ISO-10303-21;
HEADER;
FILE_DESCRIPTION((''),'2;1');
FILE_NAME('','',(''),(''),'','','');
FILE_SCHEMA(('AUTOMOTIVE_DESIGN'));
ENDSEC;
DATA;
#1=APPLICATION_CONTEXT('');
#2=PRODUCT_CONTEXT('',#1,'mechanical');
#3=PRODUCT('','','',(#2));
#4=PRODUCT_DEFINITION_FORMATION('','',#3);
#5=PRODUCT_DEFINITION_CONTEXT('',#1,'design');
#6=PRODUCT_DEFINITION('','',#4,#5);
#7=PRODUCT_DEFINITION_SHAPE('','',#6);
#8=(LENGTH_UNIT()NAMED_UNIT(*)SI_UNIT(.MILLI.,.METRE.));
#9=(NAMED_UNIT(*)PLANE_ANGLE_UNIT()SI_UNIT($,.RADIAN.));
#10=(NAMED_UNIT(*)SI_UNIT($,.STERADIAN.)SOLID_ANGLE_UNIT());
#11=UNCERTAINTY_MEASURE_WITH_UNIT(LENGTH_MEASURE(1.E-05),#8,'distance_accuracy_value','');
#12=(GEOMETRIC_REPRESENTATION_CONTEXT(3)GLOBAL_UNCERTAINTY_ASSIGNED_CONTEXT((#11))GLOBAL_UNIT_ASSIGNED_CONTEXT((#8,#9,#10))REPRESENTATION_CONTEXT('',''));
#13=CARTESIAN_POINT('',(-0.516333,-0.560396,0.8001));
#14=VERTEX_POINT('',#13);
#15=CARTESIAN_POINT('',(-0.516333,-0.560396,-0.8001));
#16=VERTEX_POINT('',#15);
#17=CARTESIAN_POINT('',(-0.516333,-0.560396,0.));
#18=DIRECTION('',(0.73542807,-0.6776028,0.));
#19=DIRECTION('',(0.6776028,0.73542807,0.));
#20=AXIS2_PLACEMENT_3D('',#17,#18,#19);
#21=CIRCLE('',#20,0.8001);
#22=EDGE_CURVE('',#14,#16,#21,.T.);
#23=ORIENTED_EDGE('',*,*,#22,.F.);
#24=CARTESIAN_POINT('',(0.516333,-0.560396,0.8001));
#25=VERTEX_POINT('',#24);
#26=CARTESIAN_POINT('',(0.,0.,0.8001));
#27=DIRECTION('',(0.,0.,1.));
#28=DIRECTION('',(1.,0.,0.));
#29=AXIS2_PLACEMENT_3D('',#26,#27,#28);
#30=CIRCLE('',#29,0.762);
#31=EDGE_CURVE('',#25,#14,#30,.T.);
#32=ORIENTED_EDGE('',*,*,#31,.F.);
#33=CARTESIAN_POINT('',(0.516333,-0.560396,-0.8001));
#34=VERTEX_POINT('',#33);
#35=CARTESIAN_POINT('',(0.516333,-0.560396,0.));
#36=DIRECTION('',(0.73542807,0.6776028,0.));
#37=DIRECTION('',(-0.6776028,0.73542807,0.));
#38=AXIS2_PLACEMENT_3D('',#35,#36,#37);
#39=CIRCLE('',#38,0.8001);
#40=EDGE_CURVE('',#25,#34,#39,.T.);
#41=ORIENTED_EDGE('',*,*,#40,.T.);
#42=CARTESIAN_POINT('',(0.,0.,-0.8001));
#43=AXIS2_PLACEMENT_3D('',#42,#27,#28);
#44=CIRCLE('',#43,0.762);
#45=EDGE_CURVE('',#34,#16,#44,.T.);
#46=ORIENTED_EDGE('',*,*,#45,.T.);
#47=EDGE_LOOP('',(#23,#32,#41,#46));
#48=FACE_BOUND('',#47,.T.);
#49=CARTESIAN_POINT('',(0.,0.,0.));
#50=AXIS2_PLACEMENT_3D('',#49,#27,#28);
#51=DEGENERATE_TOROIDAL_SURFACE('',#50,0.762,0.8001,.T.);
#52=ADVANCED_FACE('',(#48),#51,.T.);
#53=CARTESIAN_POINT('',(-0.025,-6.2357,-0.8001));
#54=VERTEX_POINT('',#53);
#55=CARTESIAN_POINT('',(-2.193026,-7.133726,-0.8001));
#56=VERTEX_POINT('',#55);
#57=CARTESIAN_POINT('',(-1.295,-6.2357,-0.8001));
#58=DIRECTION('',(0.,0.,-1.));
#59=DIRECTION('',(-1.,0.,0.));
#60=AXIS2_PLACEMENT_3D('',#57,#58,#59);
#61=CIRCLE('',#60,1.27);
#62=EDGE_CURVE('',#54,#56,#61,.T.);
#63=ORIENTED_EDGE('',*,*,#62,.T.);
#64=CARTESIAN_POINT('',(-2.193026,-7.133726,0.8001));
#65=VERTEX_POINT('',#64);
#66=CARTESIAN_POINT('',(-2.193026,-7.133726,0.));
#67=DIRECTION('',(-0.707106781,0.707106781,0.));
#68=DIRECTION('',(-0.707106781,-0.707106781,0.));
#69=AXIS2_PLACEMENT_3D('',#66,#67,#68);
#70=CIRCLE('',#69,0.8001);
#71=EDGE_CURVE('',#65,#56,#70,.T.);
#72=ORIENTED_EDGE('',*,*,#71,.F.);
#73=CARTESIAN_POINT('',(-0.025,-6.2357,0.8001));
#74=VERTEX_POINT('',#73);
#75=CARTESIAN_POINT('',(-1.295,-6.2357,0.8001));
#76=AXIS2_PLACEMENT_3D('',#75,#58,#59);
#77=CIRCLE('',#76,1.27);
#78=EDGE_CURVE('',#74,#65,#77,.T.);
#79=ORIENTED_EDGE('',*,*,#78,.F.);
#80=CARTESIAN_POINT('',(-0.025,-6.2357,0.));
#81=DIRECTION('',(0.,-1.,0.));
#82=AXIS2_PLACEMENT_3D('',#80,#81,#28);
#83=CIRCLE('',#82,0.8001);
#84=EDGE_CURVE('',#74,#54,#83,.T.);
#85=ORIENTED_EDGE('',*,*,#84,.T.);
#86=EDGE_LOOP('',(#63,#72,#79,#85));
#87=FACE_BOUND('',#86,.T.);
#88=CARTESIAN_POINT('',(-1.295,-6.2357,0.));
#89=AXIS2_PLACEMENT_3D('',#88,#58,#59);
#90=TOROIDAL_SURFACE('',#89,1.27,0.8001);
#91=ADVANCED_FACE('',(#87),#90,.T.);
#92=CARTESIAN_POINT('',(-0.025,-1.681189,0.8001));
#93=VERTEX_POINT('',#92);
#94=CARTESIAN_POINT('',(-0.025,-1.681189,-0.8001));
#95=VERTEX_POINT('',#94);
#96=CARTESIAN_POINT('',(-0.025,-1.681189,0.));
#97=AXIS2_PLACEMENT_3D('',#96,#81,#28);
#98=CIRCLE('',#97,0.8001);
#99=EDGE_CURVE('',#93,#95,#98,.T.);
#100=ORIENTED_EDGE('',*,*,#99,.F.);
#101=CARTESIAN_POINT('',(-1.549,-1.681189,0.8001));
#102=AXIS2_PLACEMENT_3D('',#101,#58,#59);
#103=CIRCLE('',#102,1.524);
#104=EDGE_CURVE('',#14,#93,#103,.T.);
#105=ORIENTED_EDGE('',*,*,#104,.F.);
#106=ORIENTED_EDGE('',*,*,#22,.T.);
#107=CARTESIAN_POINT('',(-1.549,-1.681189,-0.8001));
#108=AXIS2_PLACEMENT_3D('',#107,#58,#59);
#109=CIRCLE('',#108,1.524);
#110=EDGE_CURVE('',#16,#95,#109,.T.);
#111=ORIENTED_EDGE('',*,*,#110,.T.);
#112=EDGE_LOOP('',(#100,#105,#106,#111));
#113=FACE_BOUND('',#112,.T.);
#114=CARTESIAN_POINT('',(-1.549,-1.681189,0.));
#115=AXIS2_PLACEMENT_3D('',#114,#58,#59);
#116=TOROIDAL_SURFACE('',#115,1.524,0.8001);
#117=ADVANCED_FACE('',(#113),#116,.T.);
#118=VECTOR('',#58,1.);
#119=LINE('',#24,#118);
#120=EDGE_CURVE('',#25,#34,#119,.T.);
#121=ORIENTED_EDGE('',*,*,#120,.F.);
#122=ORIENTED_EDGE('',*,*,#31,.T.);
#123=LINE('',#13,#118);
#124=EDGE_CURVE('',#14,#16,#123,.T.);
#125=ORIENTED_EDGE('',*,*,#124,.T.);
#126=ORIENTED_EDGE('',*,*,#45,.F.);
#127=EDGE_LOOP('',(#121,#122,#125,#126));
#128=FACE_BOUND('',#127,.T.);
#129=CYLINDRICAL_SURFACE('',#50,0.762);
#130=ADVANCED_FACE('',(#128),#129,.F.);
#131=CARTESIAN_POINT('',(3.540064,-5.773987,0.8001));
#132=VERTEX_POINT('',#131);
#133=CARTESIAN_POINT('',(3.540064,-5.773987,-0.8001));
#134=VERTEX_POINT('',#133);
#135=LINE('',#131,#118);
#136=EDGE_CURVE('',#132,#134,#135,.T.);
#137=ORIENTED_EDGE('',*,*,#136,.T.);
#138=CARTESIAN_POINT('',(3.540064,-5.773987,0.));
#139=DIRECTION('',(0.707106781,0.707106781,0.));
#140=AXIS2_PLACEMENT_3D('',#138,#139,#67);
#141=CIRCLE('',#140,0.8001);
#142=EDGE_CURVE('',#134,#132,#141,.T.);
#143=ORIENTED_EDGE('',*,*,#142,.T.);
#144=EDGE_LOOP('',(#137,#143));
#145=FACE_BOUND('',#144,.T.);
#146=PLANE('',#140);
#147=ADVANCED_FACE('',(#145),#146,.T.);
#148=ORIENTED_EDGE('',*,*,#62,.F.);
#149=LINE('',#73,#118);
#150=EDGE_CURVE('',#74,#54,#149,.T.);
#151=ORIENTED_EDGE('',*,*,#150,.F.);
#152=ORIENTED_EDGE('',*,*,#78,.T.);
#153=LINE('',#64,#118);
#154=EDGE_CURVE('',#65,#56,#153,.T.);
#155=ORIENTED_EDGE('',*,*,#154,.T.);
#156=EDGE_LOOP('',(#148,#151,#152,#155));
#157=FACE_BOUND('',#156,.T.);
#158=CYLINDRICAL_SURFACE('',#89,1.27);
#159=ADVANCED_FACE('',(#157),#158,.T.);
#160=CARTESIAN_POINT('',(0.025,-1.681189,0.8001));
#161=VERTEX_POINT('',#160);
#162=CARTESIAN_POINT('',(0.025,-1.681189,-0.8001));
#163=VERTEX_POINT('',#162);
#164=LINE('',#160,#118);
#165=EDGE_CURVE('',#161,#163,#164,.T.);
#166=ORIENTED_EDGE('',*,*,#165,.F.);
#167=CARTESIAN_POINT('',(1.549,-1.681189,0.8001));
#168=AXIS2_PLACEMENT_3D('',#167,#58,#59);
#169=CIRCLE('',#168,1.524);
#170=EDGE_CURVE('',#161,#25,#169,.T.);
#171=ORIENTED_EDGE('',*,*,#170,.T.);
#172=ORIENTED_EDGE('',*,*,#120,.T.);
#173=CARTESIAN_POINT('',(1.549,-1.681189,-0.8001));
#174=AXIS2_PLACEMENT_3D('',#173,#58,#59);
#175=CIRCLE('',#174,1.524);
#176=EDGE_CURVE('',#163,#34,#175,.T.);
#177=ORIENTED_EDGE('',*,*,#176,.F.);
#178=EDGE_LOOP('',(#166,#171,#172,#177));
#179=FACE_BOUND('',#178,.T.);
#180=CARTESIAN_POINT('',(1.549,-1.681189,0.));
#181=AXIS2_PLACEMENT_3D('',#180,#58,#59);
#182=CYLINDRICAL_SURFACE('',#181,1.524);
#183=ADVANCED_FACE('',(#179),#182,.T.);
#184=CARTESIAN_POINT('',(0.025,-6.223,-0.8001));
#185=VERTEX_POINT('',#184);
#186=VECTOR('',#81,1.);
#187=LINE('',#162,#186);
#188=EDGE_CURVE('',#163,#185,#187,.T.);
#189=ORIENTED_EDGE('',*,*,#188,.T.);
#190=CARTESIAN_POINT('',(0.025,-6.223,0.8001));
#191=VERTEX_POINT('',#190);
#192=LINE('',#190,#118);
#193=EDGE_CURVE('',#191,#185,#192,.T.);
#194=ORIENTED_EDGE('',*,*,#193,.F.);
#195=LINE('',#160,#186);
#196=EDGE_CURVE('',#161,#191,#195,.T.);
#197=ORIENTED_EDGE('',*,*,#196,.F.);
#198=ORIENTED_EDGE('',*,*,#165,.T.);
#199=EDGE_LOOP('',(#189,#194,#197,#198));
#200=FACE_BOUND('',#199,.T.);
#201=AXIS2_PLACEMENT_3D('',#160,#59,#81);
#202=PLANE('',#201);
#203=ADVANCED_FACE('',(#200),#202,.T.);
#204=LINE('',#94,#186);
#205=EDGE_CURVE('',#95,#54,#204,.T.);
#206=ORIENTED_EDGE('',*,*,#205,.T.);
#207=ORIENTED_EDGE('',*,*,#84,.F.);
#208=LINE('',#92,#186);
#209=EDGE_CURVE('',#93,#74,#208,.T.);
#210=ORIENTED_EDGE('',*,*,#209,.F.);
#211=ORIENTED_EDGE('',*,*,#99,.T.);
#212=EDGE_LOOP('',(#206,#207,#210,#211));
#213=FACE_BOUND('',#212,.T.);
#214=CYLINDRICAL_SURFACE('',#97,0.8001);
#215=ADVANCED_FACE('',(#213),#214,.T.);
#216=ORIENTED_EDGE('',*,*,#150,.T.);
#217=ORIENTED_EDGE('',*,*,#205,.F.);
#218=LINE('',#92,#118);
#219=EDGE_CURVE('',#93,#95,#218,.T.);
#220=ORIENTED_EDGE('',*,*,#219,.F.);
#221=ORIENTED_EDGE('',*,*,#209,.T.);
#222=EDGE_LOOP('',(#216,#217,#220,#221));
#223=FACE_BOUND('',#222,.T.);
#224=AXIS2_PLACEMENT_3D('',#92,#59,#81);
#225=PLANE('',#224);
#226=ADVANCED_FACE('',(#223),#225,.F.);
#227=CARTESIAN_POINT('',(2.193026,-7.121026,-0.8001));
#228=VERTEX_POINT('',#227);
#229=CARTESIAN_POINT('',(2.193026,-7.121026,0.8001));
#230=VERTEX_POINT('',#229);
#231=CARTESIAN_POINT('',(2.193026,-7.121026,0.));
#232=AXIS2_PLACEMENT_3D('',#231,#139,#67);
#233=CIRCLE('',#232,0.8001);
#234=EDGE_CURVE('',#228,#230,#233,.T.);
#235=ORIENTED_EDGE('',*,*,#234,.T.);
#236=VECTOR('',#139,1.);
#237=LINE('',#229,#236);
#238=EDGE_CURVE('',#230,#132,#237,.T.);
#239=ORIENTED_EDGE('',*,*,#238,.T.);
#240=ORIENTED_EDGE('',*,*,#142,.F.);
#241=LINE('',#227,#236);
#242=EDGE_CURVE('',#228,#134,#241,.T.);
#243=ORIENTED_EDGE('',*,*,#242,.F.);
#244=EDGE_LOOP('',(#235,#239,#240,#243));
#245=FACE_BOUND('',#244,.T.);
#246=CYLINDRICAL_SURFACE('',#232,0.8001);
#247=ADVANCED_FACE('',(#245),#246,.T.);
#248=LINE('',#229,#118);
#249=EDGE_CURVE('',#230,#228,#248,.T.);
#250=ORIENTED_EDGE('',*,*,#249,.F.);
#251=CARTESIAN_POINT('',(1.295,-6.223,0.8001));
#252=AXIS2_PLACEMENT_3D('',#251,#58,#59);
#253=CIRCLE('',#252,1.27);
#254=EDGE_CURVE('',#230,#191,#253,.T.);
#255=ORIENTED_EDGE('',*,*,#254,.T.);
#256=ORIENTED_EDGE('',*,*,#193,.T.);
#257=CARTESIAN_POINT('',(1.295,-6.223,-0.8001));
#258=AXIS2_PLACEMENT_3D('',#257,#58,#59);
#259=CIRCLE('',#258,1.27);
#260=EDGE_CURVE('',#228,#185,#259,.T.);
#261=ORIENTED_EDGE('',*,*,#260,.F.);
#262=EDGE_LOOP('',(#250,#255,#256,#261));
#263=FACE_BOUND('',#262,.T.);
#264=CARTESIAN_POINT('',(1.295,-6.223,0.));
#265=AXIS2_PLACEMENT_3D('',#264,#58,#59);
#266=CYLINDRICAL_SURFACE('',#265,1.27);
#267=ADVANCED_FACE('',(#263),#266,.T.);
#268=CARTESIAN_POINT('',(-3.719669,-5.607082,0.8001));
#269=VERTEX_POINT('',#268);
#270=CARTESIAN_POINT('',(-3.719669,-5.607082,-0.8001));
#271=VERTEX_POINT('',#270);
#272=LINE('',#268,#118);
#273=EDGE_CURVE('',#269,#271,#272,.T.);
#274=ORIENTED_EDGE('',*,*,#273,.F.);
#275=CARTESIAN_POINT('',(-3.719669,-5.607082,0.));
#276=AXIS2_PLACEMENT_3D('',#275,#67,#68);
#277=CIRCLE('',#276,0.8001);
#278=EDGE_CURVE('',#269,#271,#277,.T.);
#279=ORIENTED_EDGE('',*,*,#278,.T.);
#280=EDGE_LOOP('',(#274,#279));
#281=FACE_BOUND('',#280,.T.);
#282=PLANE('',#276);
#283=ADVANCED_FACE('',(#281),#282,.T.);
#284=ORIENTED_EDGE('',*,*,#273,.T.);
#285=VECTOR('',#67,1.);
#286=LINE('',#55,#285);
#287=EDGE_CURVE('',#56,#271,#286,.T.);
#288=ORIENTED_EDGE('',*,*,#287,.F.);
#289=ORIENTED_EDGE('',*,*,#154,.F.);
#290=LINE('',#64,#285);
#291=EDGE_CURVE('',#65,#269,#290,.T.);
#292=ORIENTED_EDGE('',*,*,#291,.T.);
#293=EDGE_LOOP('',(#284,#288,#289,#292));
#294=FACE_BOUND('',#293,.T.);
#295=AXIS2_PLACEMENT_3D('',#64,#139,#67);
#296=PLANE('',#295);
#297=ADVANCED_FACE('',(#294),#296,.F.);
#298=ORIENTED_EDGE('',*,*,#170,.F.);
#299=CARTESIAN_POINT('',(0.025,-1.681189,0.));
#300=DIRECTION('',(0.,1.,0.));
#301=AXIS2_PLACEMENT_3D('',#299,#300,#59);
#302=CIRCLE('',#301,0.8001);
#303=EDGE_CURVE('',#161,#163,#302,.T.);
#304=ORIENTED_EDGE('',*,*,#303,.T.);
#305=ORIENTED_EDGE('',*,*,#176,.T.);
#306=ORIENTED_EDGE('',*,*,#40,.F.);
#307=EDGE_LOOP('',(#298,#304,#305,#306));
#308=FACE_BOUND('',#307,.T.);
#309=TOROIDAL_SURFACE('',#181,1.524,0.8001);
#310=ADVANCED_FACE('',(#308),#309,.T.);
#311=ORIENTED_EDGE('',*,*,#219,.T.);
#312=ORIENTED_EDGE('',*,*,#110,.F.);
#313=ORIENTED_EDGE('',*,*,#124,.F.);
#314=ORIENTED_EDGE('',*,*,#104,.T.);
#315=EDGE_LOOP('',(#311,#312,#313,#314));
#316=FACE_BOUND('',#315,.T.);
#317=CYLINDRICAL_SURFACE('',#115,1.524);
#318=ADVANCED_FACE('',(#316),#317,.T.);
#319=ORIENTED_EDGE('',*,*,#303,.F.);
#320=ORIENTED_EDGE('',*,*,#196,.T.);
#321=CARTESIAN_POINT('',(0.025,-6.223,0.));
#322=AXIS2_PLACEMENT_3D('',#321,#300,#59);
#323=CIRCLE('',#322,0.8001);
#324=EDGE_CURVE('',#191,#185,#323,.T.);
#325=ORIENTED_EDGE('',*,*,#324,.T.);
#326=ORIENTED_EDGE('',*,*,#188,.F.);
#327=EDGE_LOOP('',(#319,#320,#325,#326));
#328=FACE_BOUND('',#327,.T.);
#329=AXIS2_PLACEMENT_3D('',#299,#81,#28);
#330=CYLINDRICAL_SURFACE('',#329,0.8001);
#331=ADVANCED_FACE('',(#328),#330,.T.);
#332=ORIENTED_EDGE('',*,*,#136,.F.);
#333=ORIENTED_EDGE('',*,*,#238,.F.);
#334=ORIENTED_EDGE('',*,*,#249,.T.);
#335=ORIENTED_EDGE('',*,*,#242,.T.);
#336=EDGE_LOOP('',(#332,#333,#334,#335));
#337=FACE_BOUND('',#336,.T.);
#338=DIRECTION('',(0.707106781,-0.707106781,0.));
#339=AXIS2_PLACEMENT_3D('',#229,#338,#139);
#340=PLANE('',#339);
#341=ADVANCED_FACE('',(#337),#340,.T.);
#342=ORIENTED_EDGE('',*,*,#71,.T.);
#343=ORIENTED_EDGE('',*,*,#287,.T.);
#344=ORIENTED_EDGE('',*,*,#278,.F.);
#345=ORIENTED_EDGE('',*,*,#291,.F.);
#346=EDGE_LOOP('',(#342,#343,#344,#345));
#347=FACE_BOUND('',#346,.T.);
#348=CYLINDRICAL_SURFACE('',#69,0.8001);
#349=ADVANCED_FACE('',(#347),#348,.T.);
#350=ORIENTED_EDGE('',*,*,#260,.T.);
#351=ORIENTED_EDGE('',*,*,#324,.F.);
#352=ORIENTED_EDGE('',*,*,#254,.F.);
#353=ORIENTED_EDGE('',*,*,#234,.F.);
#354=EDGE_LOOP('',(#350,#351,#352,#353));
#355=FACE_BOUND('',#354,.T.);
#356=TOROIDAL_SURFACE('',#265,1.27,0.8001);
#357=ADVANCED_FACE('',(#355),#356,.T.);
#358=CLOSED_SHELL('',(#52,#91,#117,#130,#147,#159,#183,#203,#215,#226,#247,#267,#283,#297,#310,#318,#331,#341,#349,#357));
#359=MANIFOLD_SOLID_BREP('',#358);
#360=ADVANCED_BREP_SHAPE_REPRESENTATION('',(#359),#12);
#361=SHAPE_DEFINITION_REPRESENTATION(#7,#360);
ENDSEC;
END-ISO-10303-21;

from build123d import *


with BuildPart() as part:
    # Pin: sweep along a path in Sketch1
    with BuildLine(Plane.XY) as pin_path:
        Line((0.025, -6.223), (0.025, -1.681188568))
        ThreePointArc((0.025, -1.681188568), (0.153227812, -1.069309495), (0.516333333, -0.560396189))
        ThreePointArc((0.516333333, -0.560396189), (0, 0.762), (-0.516333333, -0.560396189))
        ThreePointArc((-0.516333333, -0.560396189), (-0.153227812, -1.069309495), (-0.025, -1.681188568))
        Line((-0.025, -1.681188568), (-0.025, -6.2357))
        ThreePointArc((-0.025, -6.2357), (-0.808992041, -7.409027006), (-2.193025612, -7.133725612))
        Line((-2.193025612, -7.133725612), (-3.719669153, -5.607082072))
    # Sketch2 → Pin (sweep)
    with BuildSketch(Plane(origin=(0.025, -6.223, 0), x_dir=(1, 0, 0), z_dir=(0, -1, 0))):
        with BuildLine():
            Line((0, 0.8001), (0, -0.8001))
            ThreePointArc((0, -0.8001), (0.8001, 0), (0, 0.8001))
        make_face()
    sweep(path=pin_path.line)

    # Sweep1: sweep along a path in Sketch3
    with BuildLine(Plane.XY) as sweep1_path:
        Line((3.54006403, -5.773987194), (2.193025612, -7.121025612))
        ThreePointArc((2.193025612, -7.121025612), (0.808992041, -7.396327006), (0.025, -6.223))
    # Sketch4 → Sweep1 (sweep)
    with BuildSketch(Plane.XZ.offset(6.223)):
        with BuildLine():
            Line((0.025, 0.8001), (0.025, -0.8001))
            ThreePointArc((0.025, -0.8001), (0.8251, 0), (0.025, 0.8001))
        make_face()
    sweep(path=sweep1_path.line)


solid = part.part
